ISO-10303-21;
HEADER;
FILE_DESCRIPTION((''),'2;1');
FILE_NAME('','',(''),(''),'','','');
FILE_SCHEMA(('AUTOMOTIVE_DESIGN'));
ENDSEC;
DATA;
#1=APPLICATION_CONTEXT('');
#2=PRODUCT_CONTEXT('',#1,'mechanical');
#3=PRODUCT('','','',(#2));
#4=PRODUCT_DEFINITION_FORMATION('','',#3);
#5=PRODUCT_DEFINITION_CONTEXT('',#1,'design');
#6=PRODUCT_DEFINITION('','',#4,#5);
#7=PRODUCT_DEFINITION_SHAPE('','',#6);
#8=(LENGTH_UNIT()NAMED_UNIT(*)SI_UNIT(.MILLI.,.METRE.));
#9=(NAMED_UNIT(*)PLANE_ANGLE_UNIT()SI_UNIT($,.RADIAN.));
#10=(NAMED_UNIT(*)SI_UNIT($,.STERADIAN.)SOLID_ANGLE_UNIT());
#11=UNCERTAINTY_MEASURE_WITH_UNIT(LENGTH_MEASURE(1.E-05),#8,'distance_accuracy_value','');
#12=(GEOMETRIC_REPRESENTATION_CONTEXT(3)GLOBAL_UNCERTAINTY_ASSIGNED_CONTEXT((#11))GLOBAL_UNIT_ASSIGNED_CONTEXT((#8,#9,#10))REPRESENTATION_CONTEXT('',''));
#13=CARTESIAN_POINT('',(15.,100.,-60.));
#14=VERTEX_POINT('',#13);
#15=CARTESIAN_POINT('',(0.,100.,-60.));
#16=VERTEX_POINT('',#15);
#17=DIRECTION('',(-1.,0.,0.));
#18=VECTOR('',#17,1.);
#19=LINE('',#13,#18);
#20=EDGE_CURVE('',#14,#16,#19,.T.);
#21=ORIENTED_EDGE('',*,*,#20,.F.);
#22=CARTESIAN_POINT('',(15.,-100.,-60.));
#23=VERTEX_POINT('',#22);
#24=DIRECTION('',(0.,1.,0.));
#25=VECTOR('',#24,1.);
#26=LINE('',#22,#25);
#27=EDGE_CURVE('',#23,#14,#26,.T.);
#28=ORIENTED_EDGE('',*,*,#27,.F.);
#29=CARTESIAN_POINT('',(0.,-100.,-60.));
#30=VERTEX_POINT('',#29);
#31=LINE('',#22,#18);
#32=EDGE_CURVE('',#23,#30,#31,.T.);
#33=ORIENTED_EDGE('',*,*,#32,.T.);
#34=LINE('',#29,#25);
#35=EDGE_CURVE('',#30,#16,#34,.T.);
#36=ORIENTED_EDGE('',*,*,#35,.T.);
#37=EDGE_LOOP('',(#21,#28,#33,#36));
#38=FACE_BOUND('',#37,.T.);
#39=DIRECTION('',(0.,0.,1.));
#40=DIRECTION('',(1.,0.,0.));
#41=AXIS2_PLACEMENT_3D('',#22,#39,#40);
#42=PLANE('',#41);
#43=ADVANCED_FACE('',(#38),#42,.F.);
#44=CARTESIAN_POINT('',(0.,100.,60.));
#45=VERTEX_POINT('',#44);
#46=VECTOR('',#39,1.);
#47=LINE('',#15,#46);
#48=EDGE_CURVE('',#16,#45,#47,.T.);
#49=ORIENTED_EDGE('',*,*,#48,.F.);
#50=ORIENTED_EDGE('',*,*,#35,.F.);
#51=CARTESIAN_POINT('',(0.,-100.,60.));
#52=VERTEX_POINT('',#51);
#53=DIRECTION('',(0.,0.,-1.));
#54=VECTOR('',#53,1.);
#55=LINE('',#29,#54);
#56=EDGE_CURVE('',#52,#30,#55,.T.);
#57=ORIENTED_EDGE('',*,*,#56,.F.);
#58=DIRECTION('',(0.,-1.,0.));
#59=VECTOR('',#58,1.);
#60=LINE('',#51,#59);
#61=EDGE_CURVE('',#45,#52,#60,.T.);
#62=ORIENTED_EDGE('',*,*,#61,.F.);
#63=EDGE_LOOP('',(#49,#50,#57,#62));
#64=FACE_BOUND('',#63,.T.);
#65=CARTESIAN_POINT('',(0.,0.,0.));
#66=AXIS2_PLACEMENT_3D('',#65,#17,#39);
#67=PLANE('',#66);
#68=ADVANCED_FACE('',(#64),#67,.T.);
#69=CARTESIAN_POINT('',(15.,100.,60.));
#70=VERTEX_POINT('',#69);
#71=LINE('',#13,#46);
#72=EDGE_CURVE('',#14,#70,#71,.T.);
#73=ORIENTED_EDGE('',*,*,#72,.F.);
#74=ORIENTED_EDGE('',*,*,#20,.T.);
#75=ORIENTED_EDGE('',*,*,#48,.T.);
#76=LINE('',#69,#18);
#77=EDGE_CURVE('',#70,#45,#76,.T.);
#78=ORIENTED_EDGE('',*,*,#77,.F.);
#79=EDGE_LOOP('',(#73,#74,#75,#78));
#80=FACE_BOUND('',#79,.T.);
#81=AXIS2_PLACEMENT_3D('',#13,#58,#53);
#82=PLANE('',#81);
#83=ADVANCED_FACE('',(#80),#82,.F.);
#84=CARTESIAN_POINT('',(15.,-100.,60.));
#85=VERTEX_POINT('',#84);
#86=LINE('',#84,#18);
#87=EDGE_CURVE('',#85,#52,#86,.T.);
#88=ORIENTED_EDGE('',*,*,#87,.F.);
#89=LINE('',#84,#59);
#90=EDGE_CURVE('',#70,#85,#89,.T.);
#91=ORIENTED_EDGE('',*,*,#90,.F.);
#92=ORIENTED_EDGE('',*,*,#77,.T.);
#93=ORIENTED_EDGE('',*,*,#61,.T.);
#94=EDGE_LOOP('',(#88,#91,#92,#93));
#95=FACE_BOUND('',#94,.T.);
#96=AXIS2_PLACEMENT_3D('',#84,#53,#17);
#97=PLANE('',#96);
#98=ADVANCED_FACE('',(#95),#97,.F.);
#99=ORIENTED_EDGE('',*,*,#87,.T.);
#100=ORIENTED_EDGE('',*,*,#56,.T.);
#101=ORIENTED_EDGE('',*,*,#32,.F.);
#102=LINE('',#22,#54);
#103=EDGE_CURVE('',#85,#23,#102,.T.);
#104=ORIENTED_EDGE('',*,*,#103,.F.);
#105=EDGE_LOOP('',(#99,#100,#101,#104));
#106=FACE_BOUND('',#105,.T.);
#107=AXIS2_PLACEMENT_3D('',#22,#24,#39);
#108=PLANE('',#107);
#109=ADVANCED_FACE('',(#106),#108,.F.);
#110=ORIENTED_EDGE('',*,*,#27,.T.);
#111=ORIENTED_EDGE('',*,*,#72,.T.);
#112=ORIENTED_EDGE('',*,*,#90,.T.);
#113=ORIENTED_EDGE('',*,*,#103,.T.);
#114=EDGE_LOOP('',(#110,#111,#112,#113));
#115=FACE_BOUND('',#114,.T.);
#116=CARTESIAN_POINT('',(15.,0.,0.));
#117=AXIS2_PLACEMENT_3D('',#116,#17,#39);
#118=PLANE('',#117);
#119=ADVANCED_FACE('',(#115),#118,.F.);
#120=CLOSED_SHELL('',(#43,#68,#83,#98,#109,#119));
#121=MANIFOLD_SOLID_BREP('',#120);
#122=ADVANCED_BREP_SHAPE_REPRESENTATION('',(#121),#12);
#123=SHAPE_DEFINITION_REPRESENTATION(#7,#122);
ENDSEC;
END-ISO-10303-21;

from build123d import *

# Parameters (mm, degrees)
SKETCH1_W           = 200
SKETCH1_H           = 120
BOSS_EXTRUDE1_DEPTH = 15


with BuildPart() as part:
    # Sketch1 → Boss-Extrude1 (new body)
    with BuildSketch(Plane.YZ):
        Rectangle(SKETCH1_W, SKETCH1_H)
    extrude(amount=BOSS_EXTRUDE1_DEPTH)


solid = part.part
